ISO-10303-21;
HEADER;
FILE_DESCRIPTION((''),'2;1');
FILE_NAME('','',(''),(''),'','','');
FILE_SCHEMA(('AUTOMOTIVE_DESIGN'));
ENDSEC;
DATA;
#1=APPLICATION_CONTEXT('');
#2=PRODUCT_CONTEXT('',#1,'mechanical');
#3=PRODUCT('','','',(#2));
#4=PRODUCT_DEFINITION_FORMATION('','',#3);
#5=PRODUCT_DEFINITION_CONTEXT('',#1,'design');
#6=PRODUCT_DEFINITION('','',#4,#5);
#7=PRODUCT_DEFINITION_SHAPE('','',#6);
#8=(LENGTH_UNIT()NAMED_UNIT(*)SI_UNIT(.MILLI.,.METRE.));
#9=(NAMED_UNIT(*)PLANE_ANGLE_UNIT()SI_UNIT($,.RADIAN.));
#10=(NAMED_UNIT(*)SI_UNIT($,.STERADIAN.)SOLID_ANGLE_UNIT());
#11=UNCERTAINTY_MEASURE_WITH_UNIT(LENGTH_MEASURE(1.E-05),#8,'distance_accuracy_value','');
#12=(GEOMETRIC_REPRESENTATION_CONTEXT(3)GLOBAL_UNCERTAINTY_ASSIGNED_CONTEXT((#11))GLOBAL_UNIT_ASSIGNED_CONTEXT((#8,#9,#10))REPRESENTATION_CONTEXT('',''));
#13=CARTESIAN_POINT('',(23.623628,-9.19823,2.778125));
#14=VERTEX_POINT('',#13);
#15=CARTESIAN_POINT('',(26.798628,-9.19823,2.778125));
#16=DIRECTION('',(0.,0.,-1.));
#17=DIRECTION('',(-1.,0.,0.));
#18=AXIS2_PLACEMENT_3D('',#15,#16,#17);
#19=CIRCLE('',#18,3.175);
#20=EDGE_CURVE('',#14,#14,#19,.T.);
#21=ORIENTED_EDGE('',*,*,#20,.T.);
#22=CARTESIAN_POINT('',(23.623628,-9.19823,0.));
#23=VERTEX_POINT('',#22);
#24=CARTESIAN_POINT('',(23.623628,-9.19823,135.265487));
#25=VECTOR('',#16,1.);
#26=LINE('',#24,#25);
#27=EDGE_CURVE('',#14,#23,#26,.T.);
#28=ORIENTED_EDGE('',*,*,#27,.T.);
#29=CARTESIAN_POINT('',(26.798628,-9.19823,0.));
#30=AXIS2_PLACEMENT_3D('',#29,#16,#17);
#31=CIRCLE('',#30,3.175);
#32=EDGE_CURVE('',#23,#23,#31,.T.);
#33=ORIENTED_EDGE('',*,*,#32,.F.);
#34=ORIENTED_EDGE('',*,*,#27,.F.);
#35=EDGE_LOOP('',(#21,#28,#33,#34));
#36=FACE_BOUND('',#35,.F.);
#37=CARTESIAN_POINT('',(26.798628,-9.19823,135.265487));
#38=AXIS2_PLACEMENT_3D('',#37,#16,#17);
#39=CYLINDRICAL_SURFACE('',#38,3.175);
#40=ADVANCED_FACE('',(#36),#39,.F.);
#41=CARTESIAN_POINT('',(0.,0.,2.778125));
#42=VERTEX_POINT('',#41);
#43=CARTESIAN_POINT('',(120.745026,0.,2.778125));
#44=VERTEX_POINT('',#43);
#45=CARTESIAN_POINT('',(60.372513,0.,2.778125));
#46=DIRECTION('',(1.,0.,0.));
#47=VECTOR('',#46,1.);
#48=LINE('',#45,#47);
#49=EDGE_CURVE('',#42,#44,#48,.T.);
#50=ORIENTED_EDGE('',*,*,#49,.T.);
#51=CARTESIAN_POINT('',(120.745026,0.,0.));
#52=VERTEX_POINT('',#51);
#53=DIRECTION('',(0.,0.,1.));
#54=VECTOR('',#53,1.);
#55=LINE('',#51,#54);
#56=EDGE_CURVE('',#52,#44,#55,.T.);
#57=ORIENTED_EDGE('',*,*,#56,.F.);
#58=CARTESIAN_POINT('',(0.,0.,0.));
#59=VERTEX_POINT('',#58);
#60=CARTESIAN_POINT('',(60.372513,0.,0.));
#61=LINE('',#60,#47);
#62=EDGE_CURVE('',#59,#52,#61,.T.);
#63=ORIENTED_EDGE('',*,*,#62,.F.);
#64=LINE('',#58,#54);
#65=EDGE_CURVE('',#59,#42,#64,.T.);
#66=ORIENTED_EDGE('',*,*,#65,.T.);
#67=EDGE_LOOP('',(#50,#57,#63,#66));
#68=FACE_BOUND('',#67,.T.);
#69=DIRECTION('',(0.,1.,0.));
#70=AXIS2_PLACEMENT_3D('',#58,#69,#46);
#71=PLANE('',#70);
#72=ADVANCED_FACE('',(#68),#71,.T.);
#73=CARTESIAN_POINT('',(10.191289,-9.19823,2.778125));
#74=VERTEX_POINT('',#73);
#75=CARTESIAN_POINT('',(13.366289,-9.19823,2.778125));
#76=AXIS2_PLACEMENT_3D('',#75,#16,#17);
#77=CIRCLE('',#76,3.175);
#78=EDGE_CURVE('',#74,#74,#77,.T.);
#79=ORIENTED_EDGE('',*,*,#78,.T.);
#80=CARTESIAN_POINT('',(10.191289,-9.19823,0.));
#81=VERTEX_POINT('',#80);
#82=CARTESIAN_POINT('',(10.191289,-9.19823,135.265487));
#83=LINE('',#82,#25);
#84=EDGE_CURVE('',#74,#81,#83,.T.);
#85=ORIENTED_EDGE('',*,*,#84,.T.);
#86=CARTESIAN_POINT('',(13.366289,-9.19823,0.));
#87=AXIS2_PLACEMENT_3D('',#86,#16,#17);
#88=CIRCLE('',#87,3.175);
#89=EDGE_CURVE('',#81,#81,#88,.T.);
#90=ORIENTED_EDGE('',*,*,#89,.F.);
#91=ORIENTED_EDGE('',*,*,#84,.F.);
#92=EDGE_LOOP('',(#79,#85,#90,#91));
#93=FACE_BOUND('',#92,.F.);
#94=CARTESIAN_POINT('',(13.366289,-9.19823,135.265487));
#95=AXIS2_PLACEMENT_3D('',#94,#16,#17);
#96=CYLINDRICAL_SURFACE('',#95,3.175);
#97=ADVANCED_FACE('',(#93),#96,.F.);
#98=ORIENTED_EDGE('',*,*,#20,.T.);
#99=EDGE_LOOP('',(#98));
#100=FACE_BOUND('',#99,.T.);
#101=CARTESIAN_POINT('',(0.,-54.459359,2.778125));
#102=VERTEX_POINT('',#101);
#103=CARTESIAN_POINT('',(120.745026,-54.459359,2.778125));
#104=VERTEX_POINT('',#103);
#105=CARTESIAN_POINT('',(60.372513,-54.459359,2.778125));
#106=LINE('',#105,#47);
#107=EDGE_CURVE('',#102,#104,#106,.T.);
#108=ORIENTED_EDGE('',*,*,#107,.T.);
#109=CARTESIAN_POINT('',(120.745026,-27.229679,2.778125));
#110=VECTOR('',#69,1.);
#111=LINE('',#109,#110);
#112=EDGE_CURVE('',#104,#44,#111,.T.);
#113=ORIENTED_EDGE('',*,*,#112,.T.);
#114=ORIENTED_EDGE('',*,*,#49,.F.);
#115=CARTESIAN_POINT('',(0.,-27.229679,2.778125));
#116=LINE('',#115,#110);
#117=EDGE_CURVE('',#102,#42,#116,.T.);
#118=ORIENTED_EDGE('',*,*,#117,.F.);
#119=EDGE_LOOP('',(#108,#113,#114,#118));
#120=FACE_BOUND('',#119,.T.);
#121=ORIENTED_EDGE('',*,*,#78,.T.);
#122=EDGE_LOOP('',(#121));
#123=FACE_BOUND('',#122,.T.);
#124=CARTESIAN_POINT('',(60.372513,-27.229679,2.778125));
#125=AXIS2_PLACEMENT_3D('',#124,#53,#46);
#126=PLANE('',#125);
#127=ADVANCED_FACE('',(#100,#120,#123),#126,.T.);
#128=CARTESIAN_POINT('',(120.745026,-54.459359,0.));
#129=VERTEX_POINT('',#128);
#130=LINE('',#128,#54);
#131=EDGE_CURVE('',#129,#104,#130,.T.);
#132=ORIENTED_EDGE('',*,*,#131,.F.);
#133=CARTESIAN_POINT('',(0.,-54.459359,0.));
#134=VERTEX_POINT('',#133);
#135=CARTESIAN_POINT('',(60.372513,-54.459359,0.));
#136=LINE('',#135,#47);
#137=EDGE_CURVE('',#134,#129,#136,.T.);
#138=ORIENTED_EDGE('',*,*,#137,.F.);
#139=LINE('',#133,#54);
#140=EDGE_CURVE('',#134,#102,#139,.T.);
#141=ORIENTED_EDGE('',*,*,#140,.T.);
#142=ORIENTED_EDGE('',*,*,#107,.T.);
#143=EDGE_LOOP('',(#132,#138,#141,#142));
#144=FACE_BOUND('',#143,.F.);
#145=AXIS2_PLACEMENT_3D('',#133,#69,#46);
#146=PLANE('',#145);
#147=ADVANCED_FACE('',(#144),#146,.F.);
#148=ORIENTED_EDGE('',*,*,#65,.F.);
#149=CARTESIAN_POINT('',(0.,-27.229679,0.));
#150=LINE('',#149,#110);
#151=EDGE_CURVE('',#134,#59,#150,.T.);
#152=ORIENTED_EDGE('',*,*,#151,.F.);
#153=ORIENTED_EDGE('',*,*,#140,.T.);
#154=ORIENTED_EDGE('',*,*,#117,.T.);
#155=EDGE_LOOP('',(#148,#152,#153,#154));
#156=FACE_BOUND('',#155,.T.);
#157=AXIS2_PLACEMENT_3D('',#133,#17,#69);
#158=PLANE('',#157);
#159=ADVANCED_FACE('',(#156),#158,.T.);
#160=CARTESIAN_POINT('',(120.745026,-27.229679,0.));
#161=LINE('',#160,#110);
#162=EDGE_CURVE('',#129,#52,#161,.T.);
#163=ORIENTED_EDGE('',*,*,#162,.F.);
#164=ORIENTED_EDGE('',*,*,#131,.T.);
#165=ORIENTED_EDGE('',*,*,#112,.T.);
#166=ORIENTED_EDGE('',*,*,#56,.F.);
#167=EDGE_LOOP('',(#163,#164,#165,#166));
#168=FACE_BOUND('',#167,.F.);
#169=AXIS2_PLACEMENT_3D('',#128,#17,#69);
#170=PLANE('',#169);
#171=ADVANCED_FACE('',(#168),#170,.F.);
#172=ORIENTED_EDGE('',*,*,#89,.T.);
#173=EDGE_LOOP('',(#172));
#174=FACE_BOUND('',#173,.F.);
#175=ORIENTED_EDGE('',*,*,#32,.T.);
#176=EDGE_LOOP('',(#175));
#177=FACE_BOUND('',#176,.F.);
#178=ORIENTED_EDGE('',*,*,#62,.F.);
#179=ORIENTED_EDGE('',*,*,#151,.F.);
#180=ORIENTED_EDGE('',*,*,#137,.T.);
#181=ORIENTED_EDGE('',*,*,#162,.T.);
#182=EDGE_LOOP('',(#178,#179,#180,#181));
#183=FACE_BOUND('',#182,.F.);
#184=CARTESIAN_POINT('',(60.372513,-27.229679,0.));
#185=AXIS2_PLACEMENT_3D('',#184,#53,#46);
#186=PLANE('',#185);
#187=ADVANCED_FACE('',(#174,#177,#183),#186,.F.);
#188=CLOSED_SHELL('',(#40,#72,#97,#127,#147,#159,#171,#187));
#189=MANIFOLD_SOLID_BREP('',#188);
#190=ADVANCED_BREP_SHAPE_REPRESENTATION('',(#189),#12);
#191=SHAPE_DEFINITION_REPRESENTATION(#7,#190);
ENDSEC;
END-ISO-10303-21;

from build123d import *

# Parameters (mm, degrees)
F0_W     = 120.745026
F0_H     = 54.459359
F1_DEPTH = 2.778125
F3_D     = 6.35


with BuildPart() as f1:
    # F0 (on Top) → F1 (new body)
    with BuildSketch(Plane.XY):
        with Locations((60.372513, -27.229679)):
            Rectangle(F0_W, F0_H)
    extrude(amount=F1_DEPTH)

    # F3 (through all)
    with Locations(Plane.XY.offset(2.778125)):
        with Locations((13.366289, -9.19823), (26.798628, -9.19823)):
            Hole(F3_D / 2)


solid = f1.part
